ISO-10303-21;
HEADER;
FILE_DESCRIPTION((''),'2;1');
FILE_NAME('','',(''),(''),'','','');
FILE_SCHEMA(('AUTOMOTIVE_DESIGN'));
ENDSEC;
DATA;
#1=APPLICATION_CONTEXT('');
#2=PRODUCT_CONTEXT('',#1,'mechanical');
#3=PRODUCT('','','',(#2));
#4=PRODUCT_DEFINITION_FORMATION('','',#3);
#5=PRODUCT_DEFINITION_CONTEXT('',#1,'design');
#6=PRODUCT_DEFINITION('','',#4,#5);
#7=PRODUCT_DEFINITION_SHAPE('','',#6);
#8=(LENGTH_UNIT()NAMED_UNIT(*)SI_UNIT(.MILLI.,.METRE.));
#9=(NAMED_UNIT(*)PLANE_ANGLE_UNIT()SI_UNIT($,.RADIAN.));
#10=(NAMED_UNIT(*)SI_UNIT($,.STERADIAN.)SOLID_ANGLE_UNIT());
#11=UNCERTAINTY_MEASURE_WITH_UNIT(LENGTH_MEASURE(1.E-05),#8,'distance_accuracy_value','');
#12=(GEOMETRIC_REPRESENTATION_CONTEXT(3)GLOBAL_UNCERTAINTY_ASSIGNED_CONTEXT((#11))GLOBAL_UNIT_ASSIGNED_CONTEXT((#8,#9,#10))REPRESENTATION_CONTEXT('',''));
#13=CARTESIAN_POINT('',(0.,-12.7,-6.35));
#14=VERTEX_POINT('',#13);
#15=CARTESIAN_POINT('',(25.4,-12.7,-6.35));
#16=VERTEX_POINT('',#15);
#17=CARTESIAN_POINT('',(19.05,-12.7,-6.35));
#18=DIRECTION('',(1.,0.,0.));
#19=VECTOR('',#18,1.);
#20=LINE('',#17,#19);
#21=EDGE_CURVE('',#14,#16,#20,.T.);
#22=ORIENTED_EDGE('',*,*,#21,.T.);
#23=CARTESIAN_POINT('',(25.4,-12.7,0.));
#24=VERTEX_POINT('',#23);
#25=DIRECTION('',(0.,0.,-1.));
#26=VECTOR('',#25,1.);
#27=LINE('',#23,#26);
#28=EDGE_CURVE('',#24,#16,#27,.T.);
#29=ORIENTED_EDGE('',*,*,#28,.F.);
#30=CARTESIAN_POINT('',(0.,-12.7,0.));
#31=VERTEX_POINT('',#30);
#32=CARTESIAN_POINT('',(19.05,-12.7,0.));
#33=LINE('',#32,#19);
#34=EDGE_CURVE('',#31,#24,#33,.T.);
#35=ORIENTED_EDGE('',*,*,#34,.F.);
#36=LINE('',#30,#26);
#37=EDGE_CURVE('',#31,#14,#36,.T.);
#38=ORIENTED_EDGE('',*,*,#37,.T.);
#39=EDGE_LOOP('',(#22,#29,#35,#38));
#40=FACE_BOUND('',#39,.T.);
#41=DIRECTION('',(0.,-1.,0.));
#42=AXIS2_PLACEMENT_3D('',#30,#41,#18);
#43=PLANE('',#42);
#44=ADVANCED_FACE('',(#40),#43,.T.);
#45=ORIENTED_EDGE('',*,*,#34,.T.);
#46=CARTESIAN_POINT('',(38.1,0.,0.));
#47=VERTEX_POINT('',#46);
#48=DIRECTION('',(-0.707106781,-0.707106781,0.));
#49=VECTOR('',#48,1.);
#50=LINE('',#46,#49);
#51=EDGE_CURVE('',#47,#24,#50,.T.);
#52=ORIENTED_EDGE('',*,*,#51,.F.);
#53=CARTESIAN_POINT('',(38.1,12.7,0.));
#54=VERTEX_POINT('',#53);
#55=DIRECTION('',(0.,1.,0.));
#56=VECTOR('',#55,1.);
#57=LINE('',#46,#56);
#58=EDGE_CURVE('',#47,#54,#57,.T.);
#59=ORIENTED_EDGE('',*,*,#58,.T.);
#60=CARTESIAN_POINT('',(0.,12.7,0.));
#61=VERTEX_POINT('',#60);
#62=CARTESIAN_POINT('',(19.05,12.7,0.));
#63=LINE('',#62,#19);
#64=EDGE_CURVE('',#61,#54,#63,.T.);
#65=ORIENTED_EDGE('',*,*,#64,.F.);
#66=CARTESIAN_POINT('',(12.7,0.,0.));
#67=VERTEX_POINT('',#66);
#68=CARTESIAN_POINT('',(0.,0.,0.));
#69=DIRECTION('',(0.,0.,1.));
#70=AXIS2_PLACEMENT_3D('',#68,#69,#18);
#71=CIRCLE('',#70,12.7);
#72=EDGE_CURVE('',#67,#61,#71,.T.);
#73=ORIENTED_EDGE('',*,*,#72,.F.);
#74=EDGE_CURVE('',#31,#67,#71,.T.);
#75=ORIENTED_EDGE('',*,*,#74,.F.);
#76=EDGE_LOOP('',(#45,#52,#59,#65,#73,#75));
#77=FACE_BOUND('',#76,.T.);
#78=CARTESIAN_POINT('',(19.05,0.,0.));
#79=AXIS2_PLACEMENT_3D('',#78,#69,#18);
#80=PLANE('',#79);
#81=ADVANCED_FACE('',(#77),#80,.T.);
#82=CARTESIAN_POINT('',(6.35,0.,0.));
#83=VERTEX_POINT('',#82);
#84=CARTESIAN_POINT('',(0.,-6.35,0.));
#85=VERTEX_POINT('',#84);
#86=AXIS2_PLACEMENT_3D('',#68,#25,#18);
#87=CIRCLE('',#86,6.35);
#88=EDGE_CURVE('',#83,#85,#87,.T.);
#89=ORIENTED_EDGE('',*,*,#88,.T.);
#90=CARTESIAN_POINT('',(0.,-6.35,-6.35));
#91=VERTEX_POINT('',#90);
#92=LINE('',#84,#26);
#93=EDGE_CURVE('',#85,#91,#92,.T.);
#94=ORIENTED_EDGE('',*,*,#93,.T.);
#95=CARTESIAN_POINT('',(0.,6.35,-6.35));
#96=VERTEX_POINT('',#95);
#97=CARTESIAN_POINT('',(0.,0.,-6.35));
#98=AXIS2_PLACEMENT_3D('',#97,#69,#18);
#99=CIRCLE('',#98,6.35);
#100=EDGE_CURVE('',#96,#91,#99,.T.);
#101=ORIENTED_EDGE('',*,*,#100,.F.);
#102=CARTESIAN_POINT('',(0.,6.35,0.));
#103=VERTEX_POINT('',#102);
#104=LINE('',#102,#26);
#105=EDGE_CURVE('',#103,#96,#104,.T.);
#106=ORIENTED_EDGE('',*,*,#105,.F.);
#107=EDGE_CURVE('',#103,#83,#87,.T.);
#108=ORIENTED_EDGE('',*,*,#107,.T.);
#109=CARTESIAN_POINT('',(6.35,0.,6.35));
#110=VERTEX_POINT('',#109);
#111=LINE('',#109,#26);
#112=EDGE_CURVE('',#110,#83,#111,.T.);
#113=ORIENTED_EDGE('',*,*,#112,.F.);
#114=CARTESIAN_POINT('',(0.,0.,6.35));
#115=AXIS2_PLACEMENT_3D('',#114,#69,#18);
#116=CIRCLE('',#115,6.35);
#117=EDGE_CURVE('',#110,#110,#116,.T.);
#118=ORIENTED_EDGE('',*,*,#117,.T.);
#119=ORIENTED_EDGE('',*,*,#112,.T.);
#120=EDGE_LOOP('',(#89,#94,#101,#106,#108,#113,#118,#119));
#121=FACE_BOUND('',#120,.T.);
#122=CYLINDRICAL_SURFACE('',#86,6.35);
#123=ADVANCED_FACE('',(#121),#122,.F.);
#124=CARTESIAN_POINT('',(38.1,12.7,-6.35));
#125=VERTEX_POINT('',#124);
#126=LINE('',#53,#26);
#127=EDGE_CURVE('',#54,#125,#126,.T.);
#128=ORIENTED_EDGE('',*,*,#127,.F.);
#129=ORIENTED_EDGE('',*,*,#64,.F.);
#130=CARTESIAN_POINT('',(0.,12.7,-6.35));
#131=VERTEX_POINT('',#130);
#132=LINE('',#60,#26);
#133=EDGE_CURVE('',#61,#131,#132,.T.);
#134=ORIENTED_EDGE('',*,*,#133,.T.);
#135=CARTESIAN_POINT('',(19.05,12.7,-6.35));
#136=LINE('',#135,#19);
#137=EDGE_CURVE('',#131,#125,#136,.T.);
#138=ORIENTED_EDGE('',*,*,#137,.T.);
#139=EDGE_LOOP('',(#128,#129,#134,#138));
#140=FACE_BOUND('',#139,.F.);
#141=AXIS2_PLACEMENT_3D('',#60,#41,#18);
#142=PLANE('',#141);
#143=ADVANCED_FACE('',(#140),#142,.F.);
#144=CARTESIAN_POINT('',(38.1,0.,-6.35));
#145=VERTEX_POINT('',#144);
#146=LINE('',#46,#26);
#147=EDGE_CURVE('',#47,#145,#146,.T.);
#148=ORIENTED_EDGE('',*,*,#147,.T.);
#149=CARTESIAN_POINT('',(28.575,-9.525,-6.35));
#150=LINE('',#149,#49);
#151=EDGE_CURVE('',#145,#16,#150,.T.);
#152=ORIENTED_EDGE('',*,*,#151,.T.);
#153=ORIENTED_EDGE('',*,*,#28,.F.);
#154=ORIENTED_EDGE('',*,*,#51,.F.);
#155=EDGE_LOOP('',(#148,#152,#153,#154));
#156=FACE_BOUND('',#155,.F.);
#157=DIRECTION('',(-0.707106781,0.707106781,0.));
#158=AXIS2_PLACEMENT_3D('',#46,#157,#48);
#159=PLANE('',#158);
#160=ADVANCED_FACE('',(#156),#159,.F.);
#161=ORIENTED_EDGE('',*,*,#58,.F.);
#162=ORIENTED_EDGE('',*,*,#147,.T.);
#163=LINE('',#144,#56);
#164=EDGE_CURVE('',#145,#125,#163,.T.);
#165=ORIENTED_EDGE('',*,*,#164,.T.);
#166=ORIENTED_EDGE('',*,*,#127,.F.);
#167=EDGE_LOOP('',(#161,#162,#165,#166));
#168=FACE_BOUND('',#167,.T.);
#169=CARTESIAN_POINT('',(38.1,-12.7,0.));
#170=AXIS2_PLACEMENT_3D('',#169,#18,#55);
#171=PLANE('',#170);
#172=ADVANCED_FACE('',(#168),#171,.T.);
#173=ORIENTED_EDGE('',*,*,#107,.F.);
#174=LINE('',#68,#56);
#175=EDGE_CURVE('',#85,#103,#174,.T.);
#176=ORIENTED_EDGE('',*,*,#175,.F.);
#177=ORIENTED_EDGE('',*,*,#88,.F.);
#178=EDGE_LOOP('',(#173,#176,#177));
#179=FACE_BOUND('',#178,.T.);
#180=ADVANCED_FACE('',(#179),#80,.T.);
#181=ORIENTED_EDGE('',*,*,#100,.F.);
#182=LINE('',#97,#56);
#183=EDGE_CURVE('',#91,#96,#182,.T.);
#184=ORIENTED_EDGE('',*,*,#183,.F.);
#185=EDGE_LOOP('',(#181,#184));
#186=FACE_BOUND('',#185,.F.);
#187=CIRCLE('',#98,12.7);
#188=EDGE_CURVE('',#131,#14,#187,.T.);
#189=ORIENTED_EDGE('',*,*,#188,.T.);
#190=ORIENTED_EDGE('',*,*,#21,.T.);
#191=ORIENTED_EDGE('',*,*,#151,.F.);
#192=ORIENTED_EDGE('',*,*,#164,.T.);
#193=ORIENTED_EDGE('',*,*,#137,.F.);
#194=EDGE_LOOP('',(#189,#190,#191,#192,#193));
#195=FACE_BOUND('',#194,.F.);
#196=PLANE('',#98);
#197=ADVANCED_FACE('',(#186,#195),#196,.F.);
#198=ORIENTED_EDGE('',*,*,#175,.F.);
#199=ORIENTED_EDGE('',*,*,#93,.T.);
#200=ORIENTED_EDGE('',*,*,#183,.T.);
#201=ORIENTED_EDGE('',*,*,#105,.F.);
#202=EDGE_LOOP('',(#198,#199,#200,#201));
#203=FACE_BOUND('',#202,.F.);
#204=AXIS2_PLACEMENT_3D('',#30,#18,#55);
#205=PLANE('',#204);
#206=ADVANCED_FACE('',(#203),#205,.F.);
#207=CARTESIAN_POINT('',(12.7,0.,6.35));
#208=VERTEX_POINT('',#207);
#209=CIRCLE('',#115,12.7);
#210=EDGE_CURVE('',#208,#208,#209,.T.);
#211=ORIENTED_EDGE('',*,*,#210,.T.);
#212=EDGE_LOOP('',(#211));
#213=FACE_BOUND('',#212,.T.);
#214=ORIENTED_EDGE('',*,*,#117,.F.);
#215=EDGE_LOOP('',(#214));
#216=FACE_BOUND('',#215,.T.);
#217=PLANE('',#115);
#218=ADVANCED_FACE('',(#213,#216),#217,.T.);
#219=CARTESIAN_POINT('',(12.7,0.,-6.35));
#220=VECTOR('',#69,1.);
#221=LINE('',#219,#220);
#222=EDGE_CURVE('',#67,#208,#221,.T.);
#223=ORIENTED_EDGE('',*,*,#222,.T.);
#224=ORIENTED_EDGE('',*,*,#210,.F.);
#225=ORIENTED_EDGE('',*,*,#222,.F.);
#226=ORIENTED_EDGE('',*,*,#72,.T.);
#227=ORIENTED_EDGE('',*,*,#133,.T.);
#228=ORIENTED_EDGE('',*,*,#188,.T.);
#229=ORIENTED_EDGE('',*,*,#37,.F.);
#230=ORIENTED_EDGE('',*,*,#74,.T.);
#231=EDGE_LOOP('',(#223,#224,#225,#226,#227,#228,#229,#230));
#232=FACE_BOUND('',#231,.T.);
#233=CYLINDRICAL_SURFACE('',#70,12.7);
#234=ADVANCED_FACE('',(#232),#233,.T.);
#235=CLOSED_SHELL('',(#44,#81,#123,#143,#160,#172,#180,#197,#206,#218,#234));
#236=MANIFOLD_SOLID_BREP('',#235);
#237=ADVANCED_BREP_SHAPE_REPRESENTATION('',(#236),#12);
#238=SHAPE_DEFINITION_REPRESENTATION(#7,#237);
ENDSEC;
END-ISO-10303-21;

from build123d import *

# Parameters (mm, degrees)
F0_R     = 12.7
F0_R_2   = 6.35
F1_DEPTH = 6.35
F2_W     = 38.1
F2_H     = 25.4
F3_DEPTH = 6.35
F5_DEPTH = 6.351


with BuildPart() as f1:
    # F0 (on Top) → F1 (new body, symmetric)
    with BuildSketch(Plane.XY):
        Circle(F0_R)
        Circle(F0_R_2, mode=Mode.SUBTRACT)
    extrude(amount=F1_DEPTH, both=True)

    # F2 (on Top) → F3 (join)
    with BuildSketch(Plane.XY):
        with Locations((19.05, 0)):
            Rectangle(F2_W, F2_H)
    extrude(amount=-F3_DEPTH)

    # F4 (on face) → F5 (cut, through all)
    with BuildSketch(Plane.XY):
        Polygon((38.1, -12.7), (38.1, 0), (25.4, -12.7), align=None)
    extrude(amount=-F5_DEPTH, mode=Mode.SUBTRACT)


solid = f1.part
